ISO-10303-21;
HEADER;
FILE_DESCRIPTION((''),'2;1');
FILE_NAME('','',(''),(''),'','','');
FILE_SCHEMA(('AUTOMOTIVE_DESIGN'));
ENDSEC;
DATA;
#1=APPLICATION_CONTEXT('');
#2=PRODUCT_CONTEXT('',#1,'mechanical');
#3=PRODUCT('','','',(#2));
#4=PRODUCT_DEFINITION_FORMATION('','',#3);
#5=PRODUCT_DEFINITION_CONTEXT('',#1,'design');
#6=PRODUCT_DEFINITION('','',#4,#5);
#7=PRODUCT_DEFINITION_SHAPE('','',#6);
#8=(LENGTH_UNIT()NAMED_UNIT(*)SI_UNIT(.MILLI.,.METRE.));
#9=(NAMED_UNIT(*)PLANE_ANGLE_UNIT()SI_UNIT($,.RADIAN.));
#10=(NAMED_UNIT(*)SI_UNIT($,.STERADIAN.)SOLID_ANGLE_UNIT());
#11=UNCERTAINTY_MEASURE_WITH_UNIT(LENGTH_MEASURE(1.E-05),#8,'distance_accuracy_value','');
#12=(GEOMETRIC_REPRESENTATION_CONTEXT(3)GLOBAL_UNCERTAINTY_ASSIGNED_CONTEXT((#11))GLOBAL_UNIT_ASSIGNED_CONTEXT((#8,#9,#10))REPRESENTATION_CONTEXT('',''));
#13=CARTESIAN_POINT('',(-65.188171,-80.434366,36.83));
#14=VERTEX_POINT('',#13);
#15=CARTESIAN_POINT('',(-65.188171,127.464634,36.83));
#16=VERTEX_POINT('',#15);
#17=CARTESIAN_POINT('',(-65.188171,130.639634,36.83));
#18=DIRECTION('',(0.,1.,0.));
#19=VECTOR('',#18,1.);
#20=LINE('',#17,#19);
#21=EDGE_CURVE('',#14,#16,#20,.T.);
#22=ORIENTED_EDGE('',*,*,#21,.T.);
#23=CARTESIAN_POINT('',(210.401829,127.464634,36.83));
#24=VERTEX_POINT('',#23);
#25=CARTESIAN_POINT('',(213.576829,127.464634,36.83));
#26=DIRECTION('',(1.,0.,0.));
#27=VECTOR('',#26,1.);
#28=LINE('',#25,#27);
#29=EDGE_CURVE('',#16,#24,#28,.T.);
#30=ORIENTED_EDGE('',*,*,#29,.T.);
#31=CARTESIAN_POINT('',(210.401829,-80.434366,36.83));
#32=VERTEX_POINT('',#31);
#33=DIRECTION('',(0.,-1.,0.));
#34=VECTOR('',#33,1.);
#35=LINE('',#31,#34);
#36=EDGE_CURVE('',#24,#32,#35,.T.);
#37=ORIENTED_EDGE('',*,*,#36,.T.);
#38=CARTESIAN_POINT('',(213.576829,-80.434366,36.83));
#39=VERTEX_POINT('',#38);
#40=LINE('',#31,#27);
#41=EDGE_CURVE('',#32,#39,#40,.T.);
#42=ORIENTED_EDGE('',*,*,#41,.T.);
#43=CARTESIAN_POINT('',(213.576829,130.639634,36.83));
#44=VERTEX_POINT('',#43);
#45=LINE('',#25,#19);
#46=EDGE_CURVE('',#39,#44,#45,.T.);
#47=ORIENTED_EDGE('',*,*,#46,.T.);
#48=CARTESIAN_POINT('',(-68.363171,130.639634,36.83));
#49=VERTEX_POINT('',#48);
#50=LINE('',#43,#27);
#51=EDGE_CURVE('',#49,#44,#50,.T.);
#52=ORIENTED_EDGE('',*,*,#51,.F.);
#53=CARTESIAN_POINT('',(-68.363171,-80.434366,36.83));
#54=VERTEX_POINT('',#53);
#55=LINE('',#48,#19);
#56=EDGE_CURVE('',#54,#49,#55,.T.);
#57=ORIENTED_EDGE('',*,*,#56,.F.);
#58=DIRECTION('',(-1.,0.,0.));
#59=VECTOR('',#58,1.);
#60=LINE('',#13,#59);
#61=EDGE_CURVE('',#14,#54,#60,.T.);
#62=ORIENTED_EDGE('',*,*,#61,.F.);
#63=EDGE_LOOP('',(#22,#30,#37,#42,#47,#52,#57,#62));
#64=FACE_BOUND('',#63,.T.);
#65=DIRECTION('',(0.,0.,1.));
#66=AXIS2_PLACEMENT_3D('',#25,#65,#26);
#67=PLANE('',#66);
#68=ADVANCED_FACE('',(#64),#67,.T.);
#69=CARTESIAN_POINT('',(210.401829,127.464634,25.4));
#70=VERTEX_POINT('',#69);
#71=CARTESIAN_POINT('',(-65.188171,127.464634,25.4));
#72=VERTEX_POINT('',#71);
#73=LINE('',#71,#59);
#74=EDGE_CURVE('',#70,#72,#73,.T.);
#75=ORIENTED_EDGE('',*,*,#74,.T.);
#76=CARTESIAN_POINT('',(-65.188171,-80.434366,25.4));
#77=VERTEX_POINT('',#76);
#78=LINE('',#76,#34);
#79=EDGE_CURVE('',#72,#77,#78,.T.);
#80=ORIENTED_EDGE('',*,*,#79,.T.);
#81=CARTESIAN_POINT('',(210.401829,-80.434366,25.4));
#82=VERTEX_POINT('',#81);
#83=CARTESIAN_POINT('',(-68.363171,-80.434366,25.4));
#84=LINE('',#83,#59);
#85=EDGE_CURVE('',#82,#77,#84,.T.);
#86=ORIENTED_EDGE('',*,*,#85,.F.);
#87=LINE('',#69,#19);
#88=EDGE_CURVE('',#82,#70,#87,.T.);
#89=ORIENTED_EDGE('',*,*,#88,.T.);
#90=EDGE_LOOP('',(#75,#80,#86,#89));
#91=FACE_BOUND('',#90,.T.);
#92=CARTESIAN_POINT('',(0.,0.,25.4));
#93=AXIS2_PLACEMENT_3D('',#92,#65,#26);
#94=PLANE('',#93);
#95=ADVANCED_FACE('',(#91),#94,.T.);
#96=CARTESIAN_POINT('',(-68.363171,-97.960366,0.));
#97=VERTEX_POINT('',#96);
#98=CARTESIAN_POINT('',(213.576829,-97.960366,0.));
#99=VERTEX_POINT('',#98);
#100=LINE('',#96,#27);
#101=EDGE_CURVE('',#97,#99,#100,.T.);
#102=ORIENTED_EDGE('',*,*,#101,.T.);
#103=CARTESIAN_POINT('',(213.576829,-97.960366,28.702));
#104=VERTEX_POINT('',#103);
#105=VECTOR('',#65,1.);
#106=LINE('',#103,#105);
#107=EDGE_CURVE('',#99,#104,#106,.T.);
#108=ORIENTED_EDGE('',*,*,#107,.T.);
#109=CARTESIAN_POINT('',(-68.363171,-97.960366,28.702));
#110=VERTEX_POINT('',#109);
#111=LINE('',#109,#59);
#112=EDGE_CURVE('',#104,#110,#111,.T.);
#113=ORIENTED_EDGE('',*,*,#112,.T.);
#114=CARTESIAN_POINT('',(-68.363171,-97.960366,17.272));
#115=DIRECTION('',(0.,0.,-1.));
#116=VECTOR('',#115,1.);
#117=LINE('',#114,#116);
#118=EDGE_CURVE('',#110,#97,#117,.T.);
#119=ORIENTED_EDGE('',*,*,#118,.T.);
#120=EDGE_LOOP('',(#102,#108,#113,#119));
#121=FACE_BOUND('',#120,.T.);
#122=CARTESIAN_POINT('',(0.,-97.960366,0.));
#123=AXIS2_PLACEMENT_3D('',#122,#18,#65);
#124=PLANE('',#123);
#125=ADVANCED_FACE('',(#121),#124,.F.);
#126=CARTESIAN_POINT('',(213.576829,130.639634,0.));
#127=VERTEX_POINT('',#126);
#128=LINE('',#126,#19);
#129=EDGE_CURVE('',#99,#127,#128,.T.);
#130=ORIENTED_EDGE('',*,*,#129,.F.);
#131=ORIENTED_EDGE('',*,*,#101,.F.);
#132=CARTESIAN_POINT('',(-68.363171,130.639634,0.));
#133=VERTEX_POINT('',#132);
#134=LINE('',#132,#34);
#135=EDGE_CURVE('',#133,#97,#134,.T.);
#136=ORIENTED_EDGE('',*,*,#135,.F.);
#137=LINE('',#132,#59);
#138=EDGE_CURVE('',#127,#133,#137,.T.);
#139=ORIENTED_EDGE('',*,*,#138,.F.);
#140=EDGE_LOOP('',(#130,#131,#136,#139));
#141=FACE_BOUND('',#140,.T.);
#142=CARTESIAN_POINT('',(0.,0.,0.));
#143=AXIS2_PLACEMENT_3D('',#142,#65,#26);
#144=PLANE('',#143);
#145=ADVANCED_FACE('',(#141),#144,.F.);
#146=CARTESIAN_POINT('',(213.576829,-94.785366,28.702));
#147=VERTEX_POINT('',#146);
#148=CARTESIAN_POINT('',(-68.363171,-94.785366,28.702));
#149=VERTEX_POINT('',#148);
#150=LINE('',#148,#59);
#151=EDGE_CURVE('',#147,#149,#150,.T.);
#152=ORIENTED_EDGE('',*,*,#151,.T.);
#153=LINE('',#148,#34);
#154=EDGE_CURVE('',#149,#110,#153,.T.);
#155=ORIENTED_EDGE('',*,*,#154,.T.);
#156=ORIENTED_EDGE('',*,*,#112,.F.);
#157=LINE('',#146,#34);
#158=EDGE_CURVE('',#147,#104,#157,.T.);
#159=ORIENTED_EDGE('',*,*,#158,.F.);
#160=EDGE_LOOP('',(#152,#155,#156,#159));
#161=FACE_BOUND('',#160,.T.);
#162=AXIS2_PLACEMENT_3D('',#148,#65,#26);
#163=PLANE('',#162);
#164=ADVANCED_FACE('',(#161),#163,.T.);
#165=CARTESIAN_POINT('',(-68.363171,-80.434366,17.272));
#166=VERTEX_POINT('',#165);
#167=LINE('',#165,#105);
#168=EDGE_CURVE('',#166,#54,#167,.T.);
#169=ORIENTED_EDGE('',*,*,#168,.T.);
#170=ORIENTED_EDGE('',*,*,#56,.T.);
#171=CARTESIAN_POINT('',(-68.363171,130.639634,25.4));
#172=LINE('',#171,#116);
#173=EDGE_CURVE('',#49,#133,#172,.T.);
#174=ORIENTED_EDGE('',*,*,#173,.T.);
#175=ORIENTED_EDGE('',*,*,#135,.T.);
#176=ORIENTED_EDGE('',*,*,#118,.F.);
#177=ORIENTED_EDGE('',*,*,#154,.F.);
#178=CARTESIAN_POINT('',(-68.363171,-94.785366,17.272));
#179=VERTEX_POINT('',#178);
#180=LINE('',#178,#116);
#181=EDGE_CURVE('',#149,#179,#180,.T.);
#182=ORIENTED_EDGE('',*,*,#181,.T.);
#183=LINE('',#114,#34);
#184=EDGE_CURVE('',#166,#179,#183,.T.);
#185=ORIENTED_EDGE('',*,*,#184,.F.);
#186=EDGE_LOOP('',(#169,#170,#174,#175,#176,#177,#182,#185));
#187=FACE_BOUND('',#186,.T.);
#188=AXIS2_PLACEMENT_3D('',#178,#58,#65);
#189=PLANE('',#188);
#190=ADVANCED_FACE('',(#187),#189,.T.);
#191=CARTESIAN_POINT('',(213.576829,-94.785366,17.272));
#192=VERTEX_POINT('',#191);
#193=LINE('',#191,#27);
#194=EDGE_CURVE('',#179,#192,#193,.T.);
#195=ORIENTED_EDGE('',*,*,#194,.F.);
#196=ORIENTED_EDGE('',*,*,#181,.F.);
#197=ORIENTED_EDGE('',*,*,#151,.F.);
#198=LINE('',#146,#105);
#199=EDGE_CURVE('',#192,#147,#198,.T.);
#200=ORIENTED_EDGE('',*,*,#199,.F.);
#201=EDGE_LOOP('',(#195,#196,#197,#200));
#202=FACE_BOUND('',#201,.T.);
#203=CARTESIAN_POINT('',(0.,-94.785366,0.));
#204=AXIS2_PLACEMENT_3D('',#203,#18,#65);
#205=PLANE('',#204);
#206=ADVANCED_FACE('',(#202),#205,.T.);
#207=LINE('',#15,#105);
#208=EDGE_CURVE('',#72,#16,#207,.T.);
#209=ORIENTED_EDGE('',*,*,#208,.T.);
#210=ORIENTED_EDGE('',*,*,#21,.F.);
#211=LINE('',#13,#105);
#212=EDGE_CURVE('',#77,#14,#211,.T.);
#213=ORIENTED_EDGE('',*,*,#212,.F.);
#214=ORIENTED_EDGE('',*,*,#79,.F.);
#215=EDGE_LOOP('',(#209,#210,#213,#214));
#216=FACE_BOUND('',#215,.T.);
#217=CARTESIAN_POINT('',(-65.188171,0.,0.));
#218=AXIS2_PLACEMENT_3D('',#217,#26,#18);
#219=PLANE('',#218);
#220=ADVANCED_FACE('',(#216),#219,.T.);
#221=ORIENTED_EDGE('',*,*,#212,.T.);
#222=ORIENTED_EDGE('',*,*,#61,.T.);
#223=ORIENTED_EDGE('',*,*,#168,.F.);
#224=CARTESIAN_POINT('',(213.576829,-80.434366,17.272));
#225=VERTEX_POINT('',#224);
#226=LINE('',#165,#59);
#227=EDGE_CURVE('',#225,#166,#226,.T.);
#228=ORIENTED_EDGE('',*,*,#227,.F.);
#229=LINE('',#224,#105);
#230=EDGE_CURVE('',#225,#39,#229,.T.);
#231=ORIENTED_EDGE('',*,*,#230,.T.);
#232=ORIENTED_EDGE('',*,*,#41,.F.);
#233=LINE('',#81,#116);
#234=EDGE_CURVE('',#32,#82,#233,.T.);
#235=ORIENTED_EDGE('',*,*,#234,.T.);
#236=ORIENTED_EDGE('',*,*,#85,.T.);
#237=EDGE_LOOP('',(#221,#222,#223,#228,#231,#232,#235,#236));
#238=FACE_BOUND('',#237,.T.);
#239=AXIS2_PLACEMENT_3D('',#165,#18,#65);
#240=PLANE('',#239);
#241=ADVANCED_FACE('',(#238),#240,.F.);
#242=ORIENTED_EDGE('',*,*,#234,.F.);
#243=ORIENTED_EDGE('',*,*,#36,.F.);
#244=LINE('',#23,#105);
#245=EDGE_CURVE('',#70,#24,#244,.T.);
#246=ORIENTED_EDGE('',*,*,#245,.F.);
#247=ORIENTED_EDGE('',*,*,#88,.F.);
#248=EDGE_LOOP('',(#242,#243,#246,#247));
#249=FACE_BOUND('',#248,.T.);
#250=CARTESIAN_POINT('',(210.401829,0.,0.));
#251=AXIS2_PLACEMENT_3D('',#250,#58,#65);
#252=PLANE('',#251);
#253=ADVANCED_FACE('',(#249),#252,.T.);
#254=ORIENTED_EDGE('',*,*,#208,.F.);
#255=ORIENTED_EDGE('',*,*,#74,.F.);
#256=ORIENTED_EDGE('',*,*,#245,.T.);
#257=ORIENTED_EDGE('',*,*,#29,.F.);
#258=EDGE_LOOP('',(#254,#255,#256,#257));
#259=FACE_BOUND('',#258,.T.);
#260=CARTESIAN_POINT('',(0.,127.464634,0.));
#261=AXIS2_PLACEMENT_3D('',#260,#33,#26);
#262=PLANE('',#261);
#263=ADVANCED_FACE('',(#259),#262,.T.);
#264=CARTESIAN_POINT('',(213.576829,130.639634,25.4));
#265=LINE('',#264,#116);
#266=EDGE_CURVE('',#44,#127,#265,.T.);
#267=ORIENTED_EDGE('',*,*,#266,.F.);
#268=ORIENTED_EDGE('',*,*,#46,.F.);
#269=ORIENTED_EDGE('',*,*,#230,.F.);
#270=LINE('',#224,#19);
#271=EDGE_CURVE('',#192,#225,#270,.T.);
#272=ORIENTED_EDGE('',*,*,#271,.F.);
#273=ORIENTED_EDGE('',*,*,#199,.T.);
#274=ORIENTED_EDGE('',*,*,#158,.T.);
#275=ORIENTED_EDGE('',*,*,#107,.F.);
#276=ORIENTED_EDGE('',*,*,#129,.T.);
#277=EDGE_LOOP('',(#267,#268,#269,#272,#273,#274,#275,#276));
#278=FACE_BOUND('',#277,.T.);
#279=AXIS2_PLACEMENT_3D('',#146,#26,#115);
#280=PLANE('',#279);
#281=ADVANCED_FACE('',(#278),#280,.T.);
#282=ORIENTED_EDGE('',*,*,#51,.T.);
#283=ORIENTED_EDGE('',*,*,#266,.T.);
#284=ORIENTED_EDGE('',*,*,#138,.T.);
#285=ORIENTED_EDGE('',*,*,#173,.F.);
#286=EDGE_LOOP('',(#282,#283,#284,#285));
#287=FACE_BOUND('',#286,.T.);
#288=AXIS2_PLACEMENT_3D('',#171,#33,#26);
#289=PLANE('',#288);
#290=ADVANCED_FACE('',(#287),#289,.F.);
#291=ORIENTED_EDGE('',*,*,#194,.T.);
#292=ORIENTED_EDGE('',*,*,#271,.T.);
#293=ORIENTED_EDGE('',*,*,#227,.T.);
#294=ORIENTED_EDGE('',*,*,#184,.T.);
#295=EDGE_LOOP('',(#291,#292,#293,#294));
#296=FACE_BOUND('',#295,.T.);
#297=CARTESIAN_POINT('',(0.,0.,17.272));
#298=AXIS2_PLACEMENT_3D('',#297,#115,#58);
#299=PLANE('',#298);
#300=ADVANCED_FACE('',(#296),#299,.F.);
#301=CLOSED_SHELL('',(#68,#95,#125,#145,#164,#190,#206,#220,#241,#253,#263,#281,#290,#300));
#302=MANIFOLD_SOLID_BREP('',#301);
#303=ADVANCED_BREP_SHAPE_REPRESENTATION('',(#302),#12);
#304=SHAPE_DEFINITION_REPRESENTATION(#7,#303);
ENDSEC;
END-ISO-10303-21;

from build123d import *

# Parameters (mm, degrees)
SKETCH1_W            = 281.94
SKETCH1_H            = 228.6
BOSS_EXTRUDE2_DEPTH  = 25.4
SKETCH3_W            = 281.94
SKETCH3_H            = 17.526
CUT_EXTRUDE1_DEPTH   = 8.128
SKETCH4_W            = 11.43
SKETCH4_H            = 211.074
BOSS_EXTRUDE4_DEPTH  = 3.175
SKETCH5_W            = 278.765
SKETCH5_H            = 11.43
BOSS_EXTRUDE9_DEPTH  = 3.175
SKETCH9_W            = 11.43
SKETCH9_H            = 207.899
BOSS_EXTRUDE10_DEPTH = 3.175
SKETCH8_W            = 281.94
SKETCH8_H            = 11.43
BOSS_EXTRUDE11_DEPTH = 3.175


with BuildPart() as part:
    # Sketch1 → Boss-Extrude2 (new body)
    with BuildSketch(Plane.XY):
        with Locations((72.606829268, 16.339634146)):
            Rectangle(SKETCH1_W, SKETCH1_H)
    extrude(amount=BOSS_EXTRUDE2_DEPTH)

    # Sketch3 → Cut-Extrude1 (cut)
    with BuildSketch(Plane.XY.offset(25.4)):
        with Locations((72.606829268, -89.197365854)):
            Rectangle(SKETCH3_W, SKETCH3_H)
    extrude(amount=-CUT_EXTRUDE1_DEPTH, mode=Mode.SUBTRACT)



with BuildPart() as body_2:
    # Sketch4 → Boss-Extrude4 (new body)
    with BuildSketch(Plane.ZY.offset(68.363170732)):
        with Locations((31.115, 25.102634146)):
            Rectangle(SKETCH4_W, SKETCH4_H)
    extrude(amount=-BOSS_EXTRUDE4_DEPTH)


with BuildPart() as part_1:
    add(part.part)

    add(body_2.part)  # Boss-Extrude9 merges body 2
    # Sketch5 → Boss-Extrude9 (add)
    with BuildSketch(Plane(origin=(0, 130.639634146, 0), x_dir=(1, 0, 0), z_dir=(0, 1, 0))):
        with Locations((74.194329268, -31.115)):
            Rectangle(SKETCH5_W, SKETCH5_H)
    extrude(amount=-BOSS_EXTRUDE9_DEPTH)

    # Sketch9 → Boss-Extrude10 (add)
    with BuildSketch(Plane(origin=(213.576829268, 0, 0), x_dir=(0, 0, -1), z_dir=(1, 0, 0))):
        with Locations((-31.115, 23.515134146)):
            Rectangle(SKETCH9_W, SKETCH9_H)
    extrude(amount=-BOSS_EXTRUDE10_DEPTH)


with BuildPart() as body_2_2:
    # Sketch8 → Boss-Extrude11 (new body)
    with BuildSketch(Plane.XZ.offset(97.960365854)):
        with Locations((72.606829268, 22.987)):
            Rectangle(SKETCH8_W, SKETCH8_H)
    extrude(amount=-BOSS_EXTRUDE11_DEPTH)

    # Combine1: union part
    add(part_1.part)


solid = body_2_2.part
